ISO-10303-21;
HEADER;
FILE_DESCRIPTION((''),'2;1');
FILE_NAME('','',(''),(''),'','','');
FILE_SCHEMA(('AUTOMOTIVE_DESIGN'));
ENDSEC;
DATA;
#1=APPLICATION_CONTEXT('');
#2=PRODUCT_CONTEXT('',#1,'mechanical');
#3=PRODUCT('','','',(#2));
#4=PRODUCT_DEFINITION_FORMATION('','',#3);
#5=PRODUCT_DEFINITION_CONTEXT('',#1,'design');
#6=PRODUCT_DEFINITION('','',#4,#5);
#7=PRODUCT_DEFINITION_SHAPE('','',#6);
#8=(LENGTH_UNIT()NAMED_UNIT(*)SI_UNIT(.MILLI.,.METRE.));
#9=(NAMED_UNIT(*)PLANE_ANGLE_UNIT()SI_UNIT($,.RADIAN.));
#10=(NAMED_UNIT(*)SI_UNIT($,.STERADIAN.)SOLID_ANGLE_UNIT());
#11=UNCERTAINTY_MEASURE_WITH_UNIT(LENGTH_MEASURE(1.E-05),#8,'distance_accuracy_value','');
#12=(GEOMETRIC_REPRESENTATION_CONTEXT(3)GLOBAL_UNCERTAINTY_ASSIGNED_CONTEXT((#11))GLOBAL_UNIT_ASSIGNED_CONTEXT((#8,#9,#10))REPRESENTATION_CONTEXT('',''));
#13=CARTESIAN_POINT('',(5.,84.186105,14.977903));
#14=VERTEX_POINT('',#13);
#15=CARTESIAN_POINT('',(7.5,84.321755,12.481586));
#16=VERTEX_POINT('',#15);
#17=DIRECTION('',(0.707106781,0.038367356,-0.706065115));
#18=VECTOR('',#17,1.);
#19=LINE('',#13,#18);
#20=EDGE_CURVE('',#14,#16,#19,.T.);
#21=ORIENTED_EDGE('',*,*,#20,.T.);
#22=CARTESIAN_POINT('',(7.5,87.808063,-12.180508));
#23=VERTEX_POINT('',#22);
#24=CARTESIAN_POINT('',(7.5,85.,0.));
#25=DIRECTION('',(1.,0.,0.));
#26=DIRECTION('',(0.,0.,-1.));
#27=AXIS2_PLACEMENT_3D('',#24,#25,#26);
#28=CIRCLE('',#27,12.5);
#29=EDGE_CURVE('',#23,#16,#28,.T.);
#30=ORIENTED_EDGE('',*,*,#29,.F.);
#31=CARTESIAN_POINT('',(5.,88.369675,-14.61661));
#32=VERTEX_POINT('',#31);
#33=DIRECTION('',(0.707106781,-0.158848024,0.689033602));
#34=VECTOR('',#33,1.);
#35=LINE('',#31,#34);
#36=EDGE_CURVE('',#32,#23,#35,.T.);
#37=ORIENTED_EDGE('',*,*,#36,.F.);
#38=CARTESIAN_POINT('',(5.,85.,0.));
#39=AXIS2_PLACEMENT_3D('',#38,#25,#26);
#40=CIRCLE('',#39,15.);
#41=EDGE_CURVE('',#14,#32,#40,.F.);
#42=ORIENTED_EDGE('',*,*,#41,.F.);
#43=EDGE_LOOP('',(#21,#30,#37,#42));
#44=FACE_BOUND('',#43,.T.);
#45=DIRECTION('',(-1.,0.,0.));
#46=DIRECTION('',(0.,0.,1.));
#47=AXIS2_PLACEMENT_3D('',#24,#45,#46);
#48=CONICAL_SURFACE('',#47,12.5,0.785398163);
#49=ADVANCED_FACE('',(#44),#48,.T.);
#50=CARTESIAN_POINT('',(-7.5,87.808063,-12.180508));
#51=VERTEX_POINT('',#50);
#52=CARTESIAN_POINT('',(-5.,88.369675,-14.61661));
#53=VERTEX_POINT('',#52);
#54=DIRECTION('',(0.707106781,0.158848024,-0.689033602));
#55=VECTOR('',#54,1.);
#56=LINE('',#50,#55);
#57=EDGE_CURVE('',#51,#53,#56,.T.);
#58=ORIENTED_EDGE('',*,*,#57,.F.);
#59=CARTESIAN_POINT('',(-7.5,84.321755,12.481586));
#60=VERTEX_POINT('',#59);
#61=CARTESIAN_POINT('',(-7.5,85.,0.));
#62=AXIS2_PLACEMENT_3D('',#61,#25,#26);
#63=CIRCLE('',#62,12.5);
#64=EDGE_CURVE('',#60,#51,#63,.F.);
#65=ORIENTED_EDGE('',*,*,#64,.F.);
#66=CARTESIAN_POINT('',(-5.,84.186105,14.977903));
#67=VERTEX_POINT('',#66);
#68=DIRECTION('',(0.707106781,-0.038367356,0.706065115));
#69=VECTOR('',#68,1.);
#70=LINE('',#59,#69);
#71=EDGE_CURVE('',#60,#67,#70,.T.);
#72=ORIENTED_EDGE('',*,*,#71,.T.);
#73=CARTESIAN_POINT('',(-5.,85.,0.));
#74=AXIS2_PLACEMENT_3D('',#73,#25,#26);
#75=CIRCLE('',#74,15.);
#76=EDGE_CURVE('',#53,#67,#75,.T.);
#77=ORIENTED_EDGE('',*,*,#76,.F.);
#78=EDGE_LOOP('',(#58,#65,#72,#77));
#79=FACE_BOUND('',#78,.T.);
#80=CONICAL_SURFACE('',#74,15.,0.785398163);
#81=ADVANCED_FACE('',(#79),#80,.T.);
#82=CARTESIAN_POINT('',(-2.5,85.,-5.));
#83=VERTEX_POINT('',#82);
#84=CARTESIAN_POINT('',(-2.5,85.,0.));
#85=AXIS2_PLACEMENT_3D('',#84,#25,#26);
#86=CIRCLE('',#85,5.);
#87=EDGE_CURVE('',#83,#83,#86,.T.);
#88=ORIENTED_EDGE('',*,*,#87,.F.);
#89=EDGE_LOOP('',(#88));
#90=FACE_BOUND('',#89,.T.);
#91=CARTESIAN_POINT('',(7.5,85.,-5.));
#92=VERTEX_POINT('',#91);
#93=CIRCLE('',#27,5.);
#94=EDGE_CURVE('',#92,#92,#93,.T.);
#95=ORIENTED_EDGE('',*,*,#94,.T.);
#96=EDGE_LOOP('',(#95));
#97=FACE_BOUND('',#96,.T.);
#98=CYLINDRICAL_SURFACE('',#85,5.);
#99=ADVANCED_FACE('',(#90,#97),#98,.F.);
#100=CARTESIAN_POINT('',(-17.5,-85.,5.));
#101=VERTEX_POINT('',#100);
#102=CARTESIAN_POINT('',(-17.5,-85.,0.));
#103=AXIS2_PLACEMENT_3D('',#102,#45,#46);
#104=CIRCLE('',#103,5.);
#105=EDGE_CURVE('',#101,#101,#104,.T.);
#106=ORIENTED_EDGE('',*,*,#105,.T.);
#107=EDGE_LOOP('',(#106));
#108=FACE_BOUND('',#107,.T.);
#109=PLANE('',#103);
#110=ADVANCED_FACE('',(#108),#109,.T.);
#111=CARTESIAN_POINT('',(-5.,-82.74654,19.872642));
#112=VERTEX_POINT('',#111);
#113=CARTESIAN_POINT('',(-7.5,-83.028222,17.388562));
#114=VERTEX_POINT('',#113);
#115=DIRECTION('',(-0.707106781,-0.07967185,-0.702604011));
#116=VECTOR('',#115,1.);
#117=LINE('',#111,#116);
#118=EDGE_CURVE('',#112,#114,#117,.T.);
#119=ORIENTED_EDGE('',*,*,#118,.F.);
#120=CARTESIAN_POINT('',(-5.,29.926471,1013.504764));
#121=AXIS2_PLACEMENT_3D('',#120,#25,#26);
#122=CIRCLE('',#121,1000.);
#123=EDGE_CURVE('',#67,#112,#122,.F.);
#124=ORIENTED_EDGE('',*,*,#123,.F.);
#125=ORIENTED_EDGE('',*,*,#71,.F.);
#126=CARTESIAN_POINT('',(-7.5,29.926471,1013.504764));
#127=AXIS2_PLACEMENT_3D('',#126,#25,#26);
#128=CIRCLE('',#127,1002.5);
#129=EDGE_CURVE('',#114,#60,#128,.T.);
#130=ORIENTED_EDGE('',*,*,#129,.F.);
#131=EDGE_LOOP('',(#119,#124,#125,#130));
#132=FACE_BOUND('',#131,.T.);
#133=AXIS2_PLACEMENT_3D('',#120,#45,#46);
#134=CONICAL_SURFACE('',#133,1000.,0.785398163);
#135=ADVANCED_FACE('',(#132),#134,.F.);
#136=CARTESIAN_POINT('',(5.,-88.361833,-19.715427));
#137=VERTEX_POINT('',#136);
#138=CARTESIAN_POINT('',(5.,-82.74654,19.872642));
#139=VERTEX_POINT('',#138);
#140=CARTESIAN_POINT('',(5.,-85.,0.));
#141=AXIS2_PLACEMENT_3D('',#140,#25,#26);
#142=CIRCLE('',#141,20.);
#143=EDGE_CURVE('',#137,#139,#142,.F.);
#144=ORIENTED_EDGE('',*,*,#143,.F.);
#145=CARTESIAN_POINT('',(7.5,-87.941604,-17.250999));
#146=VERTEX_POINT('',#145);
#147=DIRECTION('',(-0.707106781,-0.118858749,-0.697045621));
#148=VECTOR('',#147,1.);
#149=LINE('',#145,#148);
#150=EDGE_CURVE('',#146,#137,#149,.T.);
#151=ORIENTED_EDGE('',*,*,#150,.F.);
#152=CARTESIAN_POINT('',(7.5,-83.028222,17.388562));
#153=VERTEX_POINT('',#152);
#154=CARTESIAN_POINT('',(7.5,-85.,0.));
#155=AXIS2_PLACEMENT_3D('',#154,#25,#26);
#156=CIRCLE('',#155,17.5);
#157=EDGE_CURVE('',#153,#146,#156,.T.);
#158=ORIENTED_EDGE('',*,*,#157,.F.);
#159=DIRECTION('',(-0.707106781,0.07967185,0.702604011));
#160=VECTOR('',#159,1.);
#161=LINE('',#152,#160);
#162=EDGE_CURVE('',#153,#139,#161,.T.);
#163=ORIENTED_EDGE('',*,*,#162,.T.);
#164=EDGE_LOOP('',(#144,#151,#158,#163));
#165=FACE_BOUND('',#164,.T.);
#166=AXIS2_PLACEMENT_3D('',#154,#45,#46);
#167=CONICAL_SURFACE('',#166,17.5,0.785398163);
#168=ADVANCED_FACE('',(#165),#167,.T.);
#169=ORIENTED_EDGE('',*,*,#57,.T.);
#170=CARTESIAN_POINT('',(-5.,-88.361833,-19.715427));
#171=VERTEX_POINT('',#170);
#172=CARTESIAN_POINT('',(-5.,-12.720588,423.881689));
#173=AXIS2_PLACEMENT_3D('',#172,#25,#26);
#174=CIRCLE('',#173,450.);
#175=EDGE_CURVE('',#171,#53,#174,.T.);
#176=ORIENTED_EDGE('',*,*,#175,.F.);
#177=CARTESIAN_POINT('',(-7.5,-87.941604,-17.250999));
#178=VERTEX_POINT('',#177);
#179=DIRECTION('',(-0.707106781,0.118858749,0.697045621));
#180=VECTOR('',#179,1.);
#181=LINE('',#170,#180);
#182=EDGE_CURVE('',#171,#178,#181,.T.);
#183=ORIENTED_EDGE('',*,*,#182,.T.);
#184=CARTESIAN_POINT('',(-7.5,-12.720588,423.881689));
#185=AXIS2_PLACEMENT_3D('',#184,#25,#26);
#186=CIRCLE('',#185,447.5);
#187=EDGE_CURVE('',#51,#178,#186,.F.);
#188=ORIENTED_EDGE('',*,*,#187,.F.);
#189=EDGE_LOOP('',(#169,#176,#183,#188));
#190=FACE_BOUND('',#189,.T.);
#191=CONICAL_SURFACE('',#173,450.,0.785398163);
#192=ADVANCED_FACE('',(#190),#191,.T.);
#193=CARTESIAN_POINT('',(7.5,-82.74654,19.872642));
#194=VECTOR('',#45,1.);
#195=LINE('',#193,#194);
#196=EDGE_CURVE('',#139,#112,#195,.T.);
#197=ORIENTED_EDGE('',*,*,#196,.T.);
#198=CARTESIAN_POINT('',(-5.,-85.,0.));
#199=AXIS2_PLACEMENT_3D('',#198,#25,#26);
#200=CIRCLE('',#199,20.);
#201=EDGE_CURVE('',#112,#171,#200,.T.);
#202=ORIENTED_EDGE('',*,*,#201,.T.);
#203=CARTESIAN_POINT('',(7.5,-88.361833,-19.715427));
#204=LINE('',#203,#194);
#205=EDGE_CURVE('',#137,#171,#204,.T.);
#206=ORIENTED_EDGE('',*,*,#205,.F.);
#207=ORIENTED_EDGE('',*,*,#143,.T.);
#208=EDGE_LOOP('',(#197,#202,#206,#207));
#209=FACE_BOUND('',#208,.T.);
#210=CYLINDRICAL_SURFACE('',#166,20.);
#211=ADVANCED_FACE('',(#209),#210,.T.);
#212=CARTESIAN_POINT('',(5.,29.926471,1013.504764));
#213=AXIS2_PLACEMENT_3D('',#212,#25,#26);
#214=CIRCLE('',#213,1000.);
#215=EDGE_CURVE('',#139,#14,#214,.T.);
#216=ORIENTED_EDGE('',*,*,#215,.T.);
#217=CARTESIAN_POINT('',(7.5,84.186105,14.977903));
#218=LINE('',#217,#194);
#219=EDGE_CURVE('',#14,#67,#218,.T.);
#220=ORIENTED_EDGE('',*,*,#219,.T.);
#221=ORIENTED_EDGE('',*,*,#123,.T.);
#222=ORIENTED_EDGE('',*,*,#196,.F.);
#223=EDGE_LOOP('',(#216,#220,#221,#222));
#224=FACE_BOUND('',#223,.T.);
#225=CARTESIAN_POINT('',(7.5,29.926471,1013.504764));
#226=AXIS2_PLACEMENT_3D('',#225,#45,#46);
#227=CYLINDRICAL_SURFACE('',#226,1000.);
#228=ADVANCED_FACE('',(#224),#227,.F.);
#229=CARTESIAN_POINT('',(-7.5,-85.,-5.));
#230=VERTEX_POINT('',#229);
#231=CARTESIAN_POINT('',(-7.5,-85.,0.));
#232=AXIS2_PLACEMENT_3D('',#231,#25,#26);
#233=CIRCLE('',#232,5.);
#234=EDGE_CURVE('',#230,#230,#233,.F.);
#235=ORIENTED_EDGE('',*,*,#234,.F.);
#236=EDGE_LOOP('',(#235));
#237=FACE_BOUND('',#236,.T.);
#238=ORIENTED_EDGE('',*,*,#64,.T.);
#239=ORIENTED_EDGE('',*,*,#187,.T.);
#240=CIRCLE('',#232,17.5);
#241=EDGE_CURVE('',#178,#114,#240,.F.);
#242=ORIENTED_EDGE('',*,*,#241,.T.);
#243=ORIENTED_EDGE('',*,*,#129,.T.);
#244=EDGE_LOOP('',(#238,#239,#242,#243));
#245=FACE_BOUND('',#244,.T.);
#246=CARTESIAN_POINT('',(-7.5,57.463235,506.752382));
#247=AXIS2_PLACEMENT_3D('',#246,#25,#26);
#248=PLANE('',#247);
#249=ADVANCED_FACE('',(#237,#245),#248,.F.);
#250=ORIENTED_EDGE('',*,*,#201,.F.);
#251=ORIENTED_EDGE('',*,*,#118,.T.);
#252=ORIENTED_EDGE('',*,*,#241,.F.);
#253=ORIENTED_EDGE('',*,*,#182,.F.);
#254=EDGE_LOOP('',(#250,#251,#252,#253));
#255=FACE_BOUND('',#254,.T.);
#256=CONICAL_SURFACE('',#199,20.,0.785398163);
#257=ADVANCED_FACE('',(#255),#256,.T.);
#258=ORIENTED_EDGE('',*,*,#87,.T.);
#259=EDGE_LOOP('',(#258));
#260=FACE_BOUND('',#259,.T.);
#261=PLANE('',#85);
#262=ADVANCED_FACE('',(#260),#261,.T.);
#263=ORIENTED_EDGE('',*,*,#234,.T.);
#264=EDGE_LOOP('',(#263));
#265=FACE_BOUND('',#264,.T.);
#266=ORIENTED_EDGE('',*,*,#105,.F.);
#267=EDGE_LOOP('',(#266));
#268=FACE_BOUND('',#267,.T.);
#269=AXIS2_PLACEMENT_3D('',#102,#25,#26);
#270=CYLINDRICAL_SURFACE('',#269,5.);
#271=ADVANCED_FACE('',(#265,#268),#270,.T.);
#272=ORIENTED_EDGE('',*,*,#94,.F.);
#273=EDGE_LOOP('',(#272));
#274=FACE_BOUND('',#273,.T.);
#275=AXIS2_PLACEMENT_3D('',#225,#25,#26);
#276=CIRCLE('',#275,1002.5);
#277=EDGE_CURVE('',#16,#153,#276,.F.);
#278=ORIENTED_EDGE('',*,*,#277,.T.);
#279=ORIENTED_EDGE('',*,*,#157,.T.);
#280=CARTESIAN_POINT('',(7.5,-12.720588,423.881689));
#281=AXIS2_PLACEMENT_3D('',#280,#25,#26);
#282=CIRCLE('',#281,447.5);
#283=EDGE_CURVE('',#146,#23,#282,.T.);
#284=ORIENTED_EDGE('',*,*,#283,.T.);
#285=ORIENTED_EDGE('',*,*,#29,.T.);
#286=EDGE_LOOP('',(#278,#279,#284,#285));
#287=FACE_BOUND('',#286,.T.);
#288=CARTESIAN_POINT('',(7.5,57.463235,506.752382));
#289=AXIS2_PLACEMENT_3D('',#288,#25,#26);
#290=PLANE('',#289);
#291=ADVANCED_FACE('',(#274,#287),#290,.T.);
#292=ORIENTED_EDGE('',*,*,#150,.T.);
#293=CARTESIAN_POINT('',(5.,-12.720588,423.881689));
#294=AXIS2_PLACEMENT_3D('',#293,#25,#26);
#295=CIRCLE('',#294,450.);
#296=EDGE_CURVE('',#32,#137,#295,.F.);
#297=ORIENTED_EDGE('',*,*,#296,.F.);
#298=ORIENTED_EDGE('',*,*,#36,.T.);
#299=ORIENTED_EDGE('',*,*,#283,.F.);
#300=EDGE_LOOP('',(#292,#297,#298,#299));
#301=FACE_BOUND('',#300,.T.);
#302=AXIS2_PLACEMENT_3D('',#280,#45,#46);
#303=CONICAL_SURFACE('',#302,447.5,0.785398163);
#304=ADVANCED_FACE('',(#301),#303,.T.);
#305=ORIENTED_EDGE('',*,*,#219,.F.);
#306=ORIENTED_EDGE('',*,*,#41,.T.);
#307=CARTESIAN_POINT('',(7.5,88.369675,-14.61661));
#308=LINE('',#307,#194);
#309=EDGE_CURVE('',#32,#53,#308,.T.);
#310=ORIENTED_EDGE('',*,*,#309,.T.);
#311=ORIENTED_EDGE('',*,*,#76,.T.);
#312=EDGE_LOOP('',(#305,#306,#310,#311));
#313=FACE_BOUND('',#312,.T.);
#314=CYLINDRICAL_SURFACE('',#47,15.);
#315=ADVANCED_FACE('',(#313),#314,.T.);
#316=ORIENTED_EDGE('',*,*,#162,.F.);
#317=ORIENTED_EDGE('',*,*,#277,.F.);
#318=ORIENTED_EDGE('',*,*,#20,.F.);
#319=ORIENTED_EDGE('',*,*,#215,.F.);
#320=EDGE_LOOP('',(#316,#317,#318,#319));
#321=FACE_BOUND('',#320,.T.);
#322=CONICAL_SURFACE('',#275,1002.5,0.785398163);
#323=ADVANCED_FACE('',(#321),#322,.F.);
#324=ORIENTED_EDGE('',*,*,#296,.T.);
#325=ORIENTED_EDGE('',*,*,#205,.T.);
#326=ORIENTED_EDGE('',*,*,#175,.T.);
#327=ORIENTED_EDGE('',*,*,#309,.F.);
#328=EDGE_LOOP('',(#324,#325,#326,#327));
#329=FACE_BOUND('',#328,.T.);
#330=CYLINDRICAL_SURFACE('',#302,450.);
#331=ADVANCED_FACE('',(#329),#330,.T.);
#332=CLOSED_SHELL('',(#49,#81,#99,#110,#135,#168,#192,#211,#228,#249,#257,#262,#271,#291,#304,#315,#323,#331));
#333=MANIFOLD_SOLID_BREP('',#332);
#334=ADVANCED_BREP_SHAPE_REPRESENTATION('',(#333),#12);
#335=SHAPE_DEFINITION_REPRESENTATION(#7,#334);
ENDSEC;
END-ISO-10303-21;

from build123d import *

# Parameters (mm, degrees)
BOSS_EXTRUDE1_DEPTH = 7.5
CHAMFER1_SIZE       = 2.5
SKETCH2_R           = 5
BOSS_EXTRUDE2_DEPTH = 10
SKETCH3_R           = 5
CUT_EXTRUDE1_DEPTH  = 10


with BuildPart() as part:
    # Sketch1 → Boss-Extrude1 (new, symmetric)
    with BuildSketch(Plane.YZ):
        with BuildLine():
            ThreePointArc((-82.746539792, 19.872642429), (-104.801791361, 2.808746854), (-88.361833105, -19.715427415))
            ThreePointArc((-88.361833105, -19.715427415), (0.256800738, -25.931146508), (88.369675456, -14.61660998))
            ThreePointArc((88.369675456, -14.61660998), (99.852333231, 2.099570811), (84.186105477, 14.977902914))
            ThreePointArc((84.186105477, 14.977902914), (0.617423728, 13.934366249), (-82.746539792, 19.872642429))
        make_face()
    extrude(amount=BOSS_EXTRUDE1_DEPTH, both=True)

    # Chamfer1
    chamfer1_edges = [part.edges().sort_by_distance(p)[0] for p in [
        (7.5, 0.256800738, -25.931146508),
        (7.5, 99.852333231, 2.099570811),
        (7.5, 0.617423728, 13.934366249),
        (-7.5, 99.852333231, 2.099570811),
        (-7.5, 0.256800738, -25.931146508),
        (-7.5, -104.801791361, 2.808746854),
        (-7.5, 0.617423728, 13.934366249),
        (7.5, -104.801791361, 2.808746854),
    ]]
    chamfer(chamfer1_edges, length=CHAMFER1_SIZE)

    # Sketch2 → Boss-Extrude2 (add)
    with BuildSketch(Plane(origin=(-7.5, 0, 0), x_dir=(0, -1, 0), z_dir=(-1, 0, 0))):
        with Locations(Location((85, 0, 0), (0, 0, 270))):
            Circle(SKETCH2_R)
    extrude(amount=BOSS_EXTRUDE2_DEPTH)

    # Sketch3 → Cut-Extrude1 (cut)
    with BuildSketch(Plane.YZ.offset(7.5)):
        with Locations(Location((85, 0, 0), (0, 0, 270))):
            Circle(SKETCH3_R)
    extrude(amount=-CUT_EXTRUDE1_DEPTH, mode=Mode.SUBTRACT)


solid = part.part
